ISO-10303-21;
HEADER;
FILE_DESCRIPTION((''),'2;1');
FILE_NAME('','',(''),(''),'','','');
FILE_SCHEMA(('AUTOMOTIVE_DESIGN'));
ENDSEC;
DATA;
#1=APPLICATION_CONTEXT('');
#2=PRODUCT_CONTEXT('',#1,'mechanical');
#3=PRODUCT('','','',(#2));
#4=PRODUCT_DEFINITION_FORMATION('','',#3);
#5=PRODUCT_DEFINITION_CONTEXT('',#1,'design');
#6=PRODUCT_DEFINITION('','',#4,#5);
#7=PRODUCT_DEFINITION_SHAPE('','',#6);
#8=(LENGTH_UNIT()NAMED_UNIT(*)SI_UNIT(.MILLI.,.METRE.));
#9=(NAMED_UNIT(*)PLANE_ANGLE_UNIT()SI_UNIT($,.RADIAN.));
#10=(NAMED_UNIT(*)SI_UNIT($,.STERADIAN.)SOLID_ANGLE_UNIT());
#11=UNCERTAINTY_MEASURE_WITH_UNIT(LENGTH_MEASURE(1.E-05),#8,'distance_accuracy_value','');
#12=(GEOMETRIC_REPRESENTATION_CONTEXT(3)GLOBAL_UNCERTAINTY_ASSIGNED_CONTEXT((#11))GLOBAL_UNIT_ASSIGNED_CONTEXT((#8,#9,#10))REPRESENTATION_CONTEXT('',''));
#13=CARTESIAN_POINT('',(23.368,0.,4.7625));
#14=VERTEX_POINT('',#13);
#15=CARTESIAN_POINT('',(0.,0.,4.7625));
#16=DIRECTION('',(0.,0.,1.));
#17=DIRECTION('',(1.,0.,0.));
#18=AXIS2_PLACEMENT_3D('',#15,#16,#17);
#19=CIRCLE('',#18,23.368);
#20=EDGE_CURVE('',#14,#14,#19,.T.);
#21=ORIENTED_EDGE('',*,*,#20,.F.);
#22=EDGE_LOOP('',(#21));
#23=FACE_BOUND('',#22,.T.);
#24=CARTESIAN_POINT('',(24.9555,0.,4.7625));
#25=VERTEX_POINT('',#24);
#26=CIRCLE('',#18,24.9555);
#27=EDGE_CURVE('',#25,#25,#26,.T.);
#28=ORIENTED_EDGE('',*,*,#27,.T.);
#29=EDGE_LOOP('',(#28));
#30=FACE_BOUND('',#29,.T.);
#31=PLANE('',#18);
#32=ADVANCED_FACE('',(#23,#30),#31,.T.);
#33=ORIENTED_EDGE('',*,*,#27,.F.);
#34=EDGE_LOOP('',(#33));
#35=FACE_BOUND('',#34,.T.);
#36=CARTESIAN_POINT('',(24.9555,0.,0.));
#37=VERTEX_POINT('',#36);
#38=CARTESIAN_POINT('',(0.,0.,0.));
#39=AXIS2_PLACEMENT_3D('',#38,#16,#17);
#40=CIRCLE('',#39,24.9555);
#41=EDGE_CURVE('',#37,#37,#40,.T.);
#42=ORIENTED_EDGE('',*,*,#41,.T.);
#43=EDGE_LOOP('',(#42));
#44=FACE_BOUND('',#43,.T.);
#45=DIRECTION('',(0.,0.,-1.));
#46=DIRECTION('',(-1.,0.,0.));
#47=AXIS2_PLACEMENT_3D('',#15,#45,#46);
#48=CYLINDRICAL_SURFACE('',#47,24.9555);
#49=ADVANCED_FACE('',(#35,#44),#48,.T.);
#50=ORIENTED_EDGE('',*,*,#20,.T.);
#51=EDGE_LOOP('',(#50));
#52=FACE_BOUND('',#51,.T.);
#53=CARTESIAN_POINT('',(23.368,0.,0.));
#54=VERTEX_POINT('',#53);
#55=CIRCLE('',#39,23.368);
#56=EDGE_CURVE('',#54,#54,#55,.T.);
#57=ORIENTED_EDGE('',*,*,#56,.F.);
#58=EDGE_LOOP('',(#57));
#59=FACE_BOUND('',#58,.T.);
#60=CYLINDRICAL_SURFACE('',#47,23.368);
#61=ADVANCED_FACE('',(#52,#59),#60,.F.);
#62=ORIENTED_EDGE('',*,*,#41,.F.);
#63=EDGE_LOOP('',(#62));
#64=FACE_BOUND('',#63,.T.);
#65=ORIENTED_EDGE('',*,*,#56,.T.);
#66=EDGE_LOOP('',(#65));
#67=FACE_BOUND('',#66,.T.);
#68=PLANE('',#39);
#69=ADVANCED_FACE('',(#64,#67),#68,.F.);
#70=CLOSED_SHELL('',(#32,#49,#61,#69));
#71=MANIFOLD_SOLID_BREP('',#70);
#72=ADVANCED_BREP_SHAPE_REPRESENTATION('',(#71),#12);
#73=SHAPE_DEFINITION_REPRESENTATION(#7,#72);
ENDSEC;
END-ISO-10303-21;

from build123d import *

# Parameters (mm, degrees)
SKETCH1_R           = 24.9555
SKETCH1_R_2         = 23.368
BOSS_EXTRUDE1_DEPTH = 4.7625


with BuildPart() as part:
    # Sketch1 → Boss-Extrude1 (new body)
    with BuildSketch(Plane.XY):
        Circle(SKETCH1_R)
        Circle(SKETCH1_R_2, mode=Mode.SUBTRACT)
    extrude(amount=BOSS_EXTRUDE1_DEPTH)


solid = part.part
